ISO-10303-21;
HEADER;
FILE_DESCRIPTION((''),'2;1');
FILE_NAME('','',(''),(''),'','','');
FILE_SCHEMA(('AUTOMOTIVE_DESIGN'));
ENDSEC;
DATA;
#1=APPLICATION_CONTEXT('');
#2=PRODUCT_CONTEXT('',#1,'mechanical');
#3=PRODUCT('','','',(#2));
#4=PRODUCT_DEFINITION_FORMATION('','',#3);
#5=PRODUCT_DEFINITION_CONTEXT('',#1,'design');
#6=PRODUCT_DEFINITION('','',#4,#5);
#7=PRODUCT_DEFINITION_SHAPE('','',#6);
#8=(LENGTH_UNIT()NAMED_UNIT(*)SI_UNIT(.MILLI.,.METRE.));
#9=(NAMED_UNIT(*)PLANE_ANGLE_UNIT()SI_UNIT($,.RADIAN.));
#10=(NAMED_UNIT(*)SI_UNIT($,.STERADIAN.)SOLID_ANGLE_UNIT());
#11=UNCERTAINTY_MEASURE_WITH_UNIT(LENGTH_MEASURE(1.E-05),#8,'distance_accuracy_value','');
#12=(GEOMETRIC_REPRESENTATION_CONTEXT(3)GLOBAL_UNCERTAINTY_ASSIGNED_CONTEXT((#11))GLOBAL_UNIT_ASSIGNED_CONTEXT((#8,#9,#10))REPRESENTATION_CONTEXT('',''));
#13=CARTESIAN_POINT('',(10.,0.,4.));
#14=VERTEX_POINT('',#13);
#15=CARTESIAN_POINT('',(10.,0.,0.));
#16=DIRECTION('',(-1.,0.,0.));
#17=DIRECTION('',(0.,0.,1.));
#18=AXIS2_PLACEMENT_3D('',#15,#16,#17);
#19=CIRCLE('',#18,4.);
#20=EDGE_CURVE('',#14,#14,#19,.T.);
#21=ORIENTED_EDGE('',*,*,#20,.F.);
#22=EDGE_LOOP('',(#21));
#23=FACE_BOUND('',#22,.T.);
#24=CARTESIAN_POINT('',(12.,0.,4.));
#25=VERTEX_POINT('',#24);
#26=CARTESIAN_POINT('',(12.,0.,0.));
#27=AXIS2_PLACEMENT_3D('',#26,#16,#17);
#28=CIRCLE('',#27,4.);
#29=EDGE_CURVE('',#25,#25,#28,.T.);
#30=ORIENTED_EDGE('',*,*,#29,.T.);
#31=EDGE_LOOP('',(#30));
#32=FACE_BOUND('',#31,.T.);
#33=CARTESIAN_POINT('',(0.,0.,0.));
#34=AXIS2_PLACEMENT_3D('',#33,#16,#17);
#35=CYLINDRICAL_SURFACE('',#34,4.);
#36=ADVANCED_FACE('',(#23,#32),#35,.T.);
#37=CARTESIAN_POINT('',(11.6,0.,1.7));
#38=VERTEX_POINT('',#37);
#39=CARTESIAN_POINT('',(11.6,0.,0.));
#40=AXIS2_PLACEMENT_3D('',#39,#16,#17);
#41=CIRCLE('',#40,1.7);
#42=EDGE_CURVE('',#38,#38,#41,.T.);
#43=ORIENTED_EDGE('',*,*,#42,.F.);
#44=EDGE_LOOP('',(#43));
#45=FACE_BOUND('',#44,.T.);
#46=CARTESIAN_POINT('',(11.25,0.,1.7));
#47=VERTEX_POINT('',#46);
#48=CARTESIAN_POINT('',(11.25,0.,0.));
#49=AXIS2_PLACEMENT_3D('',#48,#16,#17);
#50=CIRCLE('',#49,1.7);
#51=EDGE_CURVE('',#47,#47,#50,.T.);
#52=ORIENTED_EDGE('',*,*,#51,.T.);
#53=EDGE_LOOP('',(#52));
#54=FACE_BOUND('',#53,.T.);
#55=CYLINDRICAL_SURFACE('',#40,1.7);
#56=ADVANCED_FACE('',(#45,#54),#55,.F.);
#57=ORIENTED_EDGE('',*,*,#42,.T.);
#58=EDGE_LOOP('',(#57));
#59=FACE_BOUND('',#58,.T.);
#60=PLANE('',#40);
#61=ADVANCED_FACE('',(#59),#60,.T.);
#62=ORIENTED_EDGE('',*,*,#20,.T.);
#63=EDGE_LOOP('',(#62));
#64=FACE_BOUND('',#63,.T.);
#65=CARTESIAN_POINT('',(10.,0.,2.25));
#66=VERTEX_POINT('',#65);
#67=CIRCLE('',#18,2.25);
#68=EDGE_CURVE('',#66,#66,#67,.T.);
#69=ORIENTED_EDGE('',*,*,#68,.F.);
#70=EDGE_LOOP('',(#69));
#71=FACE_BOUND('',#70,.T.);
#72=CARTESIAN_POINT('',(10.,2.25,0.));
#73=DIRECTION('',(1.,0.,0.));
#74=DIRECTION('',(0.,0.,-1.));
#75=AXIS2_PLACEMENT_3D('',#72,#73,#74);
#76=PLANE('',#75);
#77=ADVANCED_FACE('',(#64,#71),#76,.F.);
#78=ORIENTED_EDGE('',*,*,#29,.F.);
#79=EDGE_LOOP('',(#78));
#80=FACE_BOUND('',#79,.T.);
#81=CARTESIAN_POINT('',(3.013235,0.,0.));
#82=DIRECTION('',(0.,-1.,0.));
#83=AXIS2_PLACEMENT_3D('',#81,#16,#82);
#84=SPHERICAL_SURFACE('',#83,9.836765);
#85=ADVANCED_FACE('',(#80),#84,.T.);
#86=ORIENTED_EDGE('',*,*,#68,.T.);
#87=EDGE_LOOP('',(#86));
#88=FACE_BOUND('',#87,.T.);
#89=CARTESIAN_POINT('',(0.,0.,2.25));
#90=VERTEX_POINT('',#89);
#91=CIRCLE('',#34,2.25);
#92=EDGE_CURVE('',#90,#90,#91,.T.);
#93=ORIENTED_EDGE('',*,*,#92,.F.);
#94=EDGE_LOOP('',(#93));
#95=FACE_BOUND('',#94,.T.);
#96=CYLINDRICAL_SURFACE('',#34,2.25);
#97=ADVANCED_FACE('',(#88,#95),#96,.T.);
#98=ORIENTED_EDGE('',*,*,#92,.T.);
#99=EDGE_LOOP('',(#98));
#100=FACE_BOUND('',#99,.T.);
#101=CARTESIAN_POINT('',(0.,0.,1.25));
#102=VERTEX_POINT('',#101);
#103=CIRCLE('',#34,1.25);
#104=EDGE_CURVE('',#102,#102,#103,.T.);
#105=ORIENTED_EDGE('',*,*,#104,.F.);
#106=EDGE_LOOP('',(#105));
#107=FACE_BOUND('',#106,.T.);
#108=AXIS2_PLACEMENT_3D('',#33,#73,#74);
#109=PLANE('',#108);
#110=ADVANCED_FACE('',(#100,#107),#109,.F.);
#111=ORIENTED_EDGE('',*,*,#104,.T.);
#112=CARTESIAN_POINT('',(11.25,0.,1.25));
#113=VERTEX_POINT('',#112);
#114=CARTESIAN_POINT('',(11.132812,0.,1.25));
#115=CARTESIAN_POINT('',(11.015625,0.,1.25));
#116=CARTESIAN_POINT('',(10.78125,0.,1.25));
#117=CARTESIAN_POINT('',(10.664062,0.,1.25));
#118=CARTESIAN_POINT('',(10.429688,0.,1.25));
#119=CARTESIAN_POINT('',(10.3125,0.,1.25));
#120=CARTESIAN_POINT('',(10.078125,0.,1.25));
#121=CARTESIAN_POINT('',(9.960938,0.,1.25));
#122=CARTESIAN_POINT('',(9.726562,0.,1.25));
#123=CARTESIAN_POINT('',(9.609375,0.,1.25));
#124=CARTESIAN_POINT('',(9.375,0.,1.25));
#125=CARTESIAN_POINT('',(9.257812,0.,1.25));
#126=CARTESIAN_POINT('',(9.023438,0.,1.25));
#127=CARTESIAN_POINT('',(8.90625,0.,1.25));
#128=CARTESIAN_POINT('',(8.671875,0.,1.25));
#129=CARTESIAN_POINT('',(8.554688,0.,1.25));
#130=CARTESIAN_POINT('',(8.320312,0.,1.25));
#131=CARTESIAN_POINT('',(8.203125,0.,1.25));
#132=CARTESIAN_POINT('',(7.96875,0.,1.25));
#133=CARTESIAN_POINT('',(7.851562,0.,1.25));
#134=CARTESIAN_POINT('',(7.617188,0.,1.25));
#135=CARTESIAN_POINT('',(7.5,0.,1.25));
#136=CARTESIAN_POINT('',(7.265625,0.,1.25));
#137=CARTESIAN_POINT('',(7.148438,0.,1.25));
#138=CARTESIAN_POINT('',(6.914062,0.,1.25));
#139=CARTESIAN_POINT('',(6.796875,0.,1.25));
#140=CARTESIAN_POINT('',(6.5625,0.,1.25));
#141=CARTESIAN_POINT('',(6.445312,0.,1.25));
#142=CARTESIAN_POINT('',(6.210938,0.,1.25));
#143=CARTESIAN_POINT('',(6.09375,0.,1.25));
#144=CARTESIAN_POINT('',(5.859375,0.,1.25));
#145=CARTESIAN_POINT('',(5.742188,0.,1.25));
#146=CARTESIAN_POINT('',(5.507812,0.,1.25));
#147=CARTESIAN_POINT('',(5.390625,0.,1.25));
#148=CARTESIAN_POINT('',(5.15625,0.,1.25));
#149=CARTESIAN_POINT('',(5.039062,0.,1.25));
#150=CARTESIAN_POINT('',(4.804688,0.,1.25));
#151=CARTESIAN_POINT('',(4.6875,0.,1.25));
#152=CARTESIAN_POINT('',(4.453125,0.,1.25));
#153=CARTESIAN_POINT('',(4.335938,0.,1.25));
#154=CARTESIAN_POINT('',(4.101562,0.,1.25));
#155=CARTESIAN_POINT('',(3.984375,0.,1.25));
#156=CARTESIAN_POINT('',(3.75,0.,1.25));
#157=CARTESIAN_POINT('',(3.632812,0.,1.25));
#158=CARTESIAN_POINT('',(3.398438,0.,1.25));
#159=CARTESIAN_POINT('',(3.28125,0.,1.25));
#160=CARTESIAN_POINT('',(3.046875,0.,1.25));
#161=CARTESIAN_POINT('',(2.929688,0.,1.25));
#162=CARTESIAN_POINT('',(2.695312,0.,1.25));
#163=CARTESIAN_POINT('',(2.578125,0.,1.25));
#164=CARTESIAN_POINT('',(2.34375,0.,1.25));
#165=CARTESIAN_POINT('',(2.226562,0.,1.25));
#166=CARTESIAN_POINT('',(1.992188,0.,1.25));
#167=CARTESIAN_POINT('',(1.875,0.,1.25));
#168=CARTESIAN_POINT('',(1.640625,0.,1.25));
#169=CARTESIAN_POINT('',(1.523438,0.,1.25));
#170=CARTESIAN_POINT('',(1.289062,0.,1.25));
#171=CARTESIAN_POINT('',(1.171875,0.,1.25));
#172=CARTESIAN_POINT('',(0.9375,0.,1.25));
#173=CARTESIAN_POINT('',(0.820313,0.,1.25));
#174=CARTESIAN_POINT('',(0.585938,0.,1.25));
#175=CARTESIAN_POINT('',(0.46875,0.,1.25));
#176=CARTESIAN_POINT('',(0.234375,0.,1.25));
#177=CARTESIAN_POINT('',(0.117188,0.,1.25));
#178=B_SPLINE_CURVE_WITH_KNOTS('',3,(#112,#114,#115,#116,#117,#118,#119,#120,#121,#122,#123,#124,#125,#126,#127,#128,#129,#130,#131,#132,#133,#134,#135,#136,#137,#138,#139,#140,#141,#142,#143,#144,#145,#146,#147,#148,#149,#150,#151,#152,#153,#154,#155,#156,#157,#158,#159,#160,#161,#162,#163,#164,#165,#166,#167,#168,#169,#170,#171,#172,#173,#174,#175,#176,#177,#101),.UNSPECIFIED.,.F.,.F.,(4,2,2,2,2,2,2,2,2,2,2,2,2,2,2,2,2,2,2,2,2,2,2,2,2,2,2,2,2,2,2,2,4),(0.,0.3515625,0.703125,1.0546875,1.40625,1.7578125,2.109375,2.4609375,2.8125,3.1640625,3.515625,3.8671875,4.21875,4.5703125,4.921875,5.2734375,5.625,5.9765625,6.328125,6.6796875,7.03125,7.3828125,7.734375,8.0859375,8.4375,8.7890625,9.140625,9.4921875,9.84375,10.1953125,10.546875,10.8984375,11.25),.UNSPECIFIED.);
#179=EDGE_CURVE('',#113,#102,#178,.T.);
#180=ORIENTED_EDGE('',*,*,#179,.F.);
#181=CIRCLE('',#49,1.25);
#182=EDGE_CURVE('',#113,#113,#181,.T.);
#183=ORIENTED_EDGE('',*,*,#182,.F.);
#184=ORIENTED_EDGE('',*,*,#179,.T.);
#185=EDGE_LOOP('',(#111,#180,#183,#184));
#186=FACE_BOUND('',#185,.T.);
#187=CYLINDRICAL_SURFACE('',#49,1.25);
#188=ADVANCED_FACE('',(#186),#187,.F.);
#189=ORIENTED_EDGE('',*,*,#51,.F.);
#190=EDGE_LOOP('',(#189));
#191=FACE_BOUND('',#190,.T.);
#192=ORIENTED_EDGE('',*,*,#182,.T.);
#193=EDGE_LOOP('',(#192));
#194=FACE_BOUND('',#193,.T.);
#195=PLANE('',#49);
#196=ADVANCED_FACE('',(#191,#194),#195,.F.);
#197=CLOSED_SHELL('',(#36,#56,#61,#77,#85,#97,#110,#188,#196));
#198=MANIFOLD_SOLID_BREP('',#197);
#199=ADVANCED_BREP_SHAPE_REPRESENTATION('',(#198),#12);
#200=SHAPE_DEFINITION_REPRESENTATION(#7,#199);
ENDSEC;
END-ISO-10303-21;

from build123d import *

# Parameters (mm, degrees)
SKETCH2_R          = 1.25
CUT_EXTRUDE1_DEPTH = 11.25
SKETCH3_R          = 1.7
CUT_EXTRUDE2_DEPTH = 0.35


with BuildPart() as part:
    # Sketch1 → Revolve1 (revolve)
    with BuildSketch(Plane.XY, mode=Mode.PRIVATE) as revolve1_sk:
        with BuildLine():
            Line((0, 0), (0, 2.25))
            Line((0, 2.25), (10, 2.25))
            Line((10, 2.25), (10, 4))
            Line((10, 4), (12, 4))
            ThreePointArc((12, 4), (12.635153756, 2.044657673), (12.85, 0))
            Line((12.85, 0), (0, 0))
        make_face()
    revolve(revolve1_sk.sketch.rotate(Axis((0, 0, 0), (1, 0, 0)), 90), axis=Axis((0, 0, 0), (1, 0, 0)))

    # Sketch2 → Cut-Extrude1 (cut)
    with BuildSketch(Plane.ZY):
        Circle(SKETCH2_R)
    extrude(amount=-CUT_EXTRUDE1_DEPTH, mode=Mode.SUBTRACT)

    # Sketch3 → Cut-Extrude2 (cut)
    with BuildSketch(Plane.ZY.offset(-11.25)):
        Circle(SKETCH3_R)
    extrude(amount=-CUT_EXTRUDE2_DEPTH, mode=Mode.SUBTRACT)


solid = part.part
